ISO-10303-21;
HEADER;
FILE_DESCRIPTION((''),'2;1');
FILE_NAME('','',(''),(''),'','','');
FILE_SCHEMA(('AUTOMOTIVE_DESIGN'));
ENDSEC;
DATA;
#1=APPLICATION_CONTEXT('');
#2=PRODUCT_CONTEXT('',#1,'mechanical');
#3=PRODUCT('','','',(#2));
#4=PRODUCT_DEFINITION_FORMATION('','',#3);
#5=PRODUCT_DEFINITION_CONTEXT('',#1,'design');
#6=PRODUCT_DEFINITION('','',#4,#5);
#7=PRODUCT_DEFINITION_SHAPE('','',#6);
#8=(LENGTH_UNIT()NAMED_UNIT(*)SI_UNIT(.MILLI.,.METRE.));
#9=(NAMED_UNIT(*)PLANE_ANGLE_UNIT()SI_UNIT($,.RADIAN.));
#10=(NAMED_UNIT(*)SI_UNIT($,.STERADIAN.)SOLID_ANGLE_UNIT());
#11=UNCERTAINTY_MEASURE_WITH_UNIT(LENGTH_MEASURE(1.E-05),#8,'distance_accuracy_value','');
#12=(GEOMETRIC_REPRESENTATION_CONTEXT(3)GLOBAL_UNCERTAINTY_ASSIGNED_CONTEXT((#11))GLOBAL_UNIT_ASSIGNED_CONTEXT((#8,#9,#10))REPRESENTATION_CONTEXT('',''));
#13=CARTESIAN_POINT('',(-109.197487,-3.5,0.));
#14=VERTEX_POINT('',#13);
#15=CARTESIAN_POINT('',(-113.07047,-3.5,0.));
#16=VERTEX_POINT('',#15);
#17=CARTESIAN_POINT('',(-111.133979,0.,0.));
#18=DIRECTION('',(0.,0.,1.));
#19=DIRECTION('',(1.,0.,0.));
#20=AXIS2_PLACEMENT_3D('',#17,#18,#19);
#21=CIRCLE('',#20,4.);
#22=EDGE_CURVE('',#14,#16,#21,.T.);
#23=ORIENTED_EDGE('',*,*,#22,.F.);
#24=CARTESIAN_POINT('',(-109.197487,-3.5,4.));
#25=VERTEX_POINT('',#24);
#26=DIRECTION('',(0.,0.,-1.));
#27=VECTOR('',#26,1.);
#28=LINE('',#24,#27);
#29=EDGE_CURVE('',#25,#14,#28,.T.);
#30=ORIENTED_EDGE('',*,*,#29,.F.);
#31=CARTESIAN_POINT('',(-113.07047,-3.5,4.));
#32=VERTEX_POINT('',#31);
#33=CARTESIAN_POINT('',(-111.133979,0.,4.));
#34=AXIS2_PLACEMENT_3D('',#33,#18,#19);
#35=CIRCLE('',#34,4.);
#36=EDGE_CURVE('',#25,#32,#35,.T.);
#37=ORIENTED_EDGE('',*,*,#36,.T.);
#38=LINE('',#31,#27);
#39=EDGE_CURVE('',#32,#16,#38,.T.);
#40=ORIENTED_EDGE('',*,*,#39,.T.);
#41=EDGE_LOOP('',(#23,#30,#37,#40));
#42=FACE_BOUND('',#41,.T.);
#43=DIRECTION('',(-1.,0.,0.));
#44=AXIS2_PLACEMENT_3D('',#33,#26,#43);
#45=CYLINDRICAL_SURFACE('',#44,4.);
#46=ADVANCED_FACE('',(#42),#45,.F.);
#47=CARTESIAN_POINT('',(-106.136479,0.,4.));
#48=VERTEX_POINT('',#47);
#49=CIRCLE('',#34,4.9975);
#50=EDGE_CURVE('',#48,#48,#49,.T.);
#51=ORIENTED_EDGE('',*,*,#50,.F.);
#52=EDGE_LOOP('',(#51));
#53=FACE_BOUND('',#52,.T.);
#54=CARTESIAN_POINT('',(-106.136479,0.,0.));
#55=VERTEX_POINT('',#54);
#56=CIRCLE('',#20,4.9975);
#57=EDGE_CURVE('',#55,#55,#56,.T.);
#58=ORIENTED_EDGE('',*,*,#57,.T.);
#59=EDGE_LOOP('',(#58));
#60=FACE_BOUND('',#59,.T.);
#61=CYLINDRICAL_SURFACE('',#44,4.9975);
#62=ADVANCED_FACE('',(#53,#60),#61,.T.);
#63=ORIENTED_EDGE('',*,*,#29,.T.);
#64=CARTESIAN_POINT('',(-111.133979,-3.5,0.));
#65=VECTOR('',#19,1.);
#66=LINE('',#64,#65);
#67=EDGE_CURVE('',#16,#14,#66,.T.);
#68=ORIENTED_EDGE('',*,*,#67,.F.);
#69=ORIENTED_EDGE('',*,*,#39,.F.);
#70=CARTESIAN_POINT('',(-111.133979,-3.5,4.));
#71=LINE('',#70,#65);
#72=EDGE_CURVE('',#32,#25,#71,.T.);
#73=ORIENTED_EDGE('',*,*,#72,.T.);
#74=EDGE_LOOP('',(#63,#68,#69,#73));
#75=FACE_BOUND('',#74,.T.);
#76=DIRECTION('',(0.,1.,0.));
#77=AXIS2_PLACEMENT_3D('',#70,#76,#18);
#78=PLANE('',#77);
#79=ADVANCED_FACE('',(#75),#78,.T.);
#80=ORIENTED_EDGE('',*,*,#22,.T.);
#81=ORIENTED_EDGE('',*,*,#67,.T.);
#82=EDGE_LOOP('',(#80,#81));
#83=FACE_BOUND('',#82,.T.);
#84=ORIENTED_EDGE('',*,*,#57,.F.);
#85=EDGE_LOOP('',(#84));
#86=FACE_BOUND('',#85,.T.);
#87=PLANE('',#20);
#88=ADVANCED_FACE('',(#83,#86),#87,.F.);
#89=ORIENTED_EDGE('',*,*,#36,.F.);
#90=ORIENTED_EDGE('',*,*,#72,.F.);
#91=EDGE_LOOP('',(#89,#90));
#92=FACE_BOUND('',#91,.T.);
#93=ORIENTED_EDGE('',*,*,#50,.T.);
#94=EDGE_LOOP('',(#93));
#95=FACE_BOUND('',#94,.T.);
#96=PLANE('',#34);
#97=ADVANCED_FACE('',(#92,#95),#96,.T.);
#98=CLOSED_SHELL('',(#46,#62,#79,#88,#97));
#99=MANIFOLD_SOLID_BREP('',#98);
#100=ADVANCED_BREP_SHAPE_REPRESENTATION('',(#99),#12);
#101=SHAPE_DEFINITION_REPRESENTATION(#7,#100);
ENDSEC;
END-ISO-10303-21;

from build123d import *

# Parameters (mm, degrees)
SKETCH3_R           = 4.9975
BOSS_EXTRUDE1_DEPTH = 4


with BuildPart() as part:
    # Sketch3 → Boss-Extrude1 (new body)
    with BuildSketch(Plane.XY):
        with Locations((-111.133978708, 0)):
            Circle(SKETCH3_R)
        with BuildLine():
            Line((-111.133978708, -3.5), (-113.070470381, -3.5))
            ThreePointArc((-113.070470381, -3.5), (-111.133978708, 4), (-109.197487035, -3.5))
            Line((-109.197487035, -3.5), (-111.133978708, -3.5))
        make_face(mode=Mode.SUBTRACT)
    extrude(amount=BOSS_EXTRUDE1_DEPTH)


solid = part.part
